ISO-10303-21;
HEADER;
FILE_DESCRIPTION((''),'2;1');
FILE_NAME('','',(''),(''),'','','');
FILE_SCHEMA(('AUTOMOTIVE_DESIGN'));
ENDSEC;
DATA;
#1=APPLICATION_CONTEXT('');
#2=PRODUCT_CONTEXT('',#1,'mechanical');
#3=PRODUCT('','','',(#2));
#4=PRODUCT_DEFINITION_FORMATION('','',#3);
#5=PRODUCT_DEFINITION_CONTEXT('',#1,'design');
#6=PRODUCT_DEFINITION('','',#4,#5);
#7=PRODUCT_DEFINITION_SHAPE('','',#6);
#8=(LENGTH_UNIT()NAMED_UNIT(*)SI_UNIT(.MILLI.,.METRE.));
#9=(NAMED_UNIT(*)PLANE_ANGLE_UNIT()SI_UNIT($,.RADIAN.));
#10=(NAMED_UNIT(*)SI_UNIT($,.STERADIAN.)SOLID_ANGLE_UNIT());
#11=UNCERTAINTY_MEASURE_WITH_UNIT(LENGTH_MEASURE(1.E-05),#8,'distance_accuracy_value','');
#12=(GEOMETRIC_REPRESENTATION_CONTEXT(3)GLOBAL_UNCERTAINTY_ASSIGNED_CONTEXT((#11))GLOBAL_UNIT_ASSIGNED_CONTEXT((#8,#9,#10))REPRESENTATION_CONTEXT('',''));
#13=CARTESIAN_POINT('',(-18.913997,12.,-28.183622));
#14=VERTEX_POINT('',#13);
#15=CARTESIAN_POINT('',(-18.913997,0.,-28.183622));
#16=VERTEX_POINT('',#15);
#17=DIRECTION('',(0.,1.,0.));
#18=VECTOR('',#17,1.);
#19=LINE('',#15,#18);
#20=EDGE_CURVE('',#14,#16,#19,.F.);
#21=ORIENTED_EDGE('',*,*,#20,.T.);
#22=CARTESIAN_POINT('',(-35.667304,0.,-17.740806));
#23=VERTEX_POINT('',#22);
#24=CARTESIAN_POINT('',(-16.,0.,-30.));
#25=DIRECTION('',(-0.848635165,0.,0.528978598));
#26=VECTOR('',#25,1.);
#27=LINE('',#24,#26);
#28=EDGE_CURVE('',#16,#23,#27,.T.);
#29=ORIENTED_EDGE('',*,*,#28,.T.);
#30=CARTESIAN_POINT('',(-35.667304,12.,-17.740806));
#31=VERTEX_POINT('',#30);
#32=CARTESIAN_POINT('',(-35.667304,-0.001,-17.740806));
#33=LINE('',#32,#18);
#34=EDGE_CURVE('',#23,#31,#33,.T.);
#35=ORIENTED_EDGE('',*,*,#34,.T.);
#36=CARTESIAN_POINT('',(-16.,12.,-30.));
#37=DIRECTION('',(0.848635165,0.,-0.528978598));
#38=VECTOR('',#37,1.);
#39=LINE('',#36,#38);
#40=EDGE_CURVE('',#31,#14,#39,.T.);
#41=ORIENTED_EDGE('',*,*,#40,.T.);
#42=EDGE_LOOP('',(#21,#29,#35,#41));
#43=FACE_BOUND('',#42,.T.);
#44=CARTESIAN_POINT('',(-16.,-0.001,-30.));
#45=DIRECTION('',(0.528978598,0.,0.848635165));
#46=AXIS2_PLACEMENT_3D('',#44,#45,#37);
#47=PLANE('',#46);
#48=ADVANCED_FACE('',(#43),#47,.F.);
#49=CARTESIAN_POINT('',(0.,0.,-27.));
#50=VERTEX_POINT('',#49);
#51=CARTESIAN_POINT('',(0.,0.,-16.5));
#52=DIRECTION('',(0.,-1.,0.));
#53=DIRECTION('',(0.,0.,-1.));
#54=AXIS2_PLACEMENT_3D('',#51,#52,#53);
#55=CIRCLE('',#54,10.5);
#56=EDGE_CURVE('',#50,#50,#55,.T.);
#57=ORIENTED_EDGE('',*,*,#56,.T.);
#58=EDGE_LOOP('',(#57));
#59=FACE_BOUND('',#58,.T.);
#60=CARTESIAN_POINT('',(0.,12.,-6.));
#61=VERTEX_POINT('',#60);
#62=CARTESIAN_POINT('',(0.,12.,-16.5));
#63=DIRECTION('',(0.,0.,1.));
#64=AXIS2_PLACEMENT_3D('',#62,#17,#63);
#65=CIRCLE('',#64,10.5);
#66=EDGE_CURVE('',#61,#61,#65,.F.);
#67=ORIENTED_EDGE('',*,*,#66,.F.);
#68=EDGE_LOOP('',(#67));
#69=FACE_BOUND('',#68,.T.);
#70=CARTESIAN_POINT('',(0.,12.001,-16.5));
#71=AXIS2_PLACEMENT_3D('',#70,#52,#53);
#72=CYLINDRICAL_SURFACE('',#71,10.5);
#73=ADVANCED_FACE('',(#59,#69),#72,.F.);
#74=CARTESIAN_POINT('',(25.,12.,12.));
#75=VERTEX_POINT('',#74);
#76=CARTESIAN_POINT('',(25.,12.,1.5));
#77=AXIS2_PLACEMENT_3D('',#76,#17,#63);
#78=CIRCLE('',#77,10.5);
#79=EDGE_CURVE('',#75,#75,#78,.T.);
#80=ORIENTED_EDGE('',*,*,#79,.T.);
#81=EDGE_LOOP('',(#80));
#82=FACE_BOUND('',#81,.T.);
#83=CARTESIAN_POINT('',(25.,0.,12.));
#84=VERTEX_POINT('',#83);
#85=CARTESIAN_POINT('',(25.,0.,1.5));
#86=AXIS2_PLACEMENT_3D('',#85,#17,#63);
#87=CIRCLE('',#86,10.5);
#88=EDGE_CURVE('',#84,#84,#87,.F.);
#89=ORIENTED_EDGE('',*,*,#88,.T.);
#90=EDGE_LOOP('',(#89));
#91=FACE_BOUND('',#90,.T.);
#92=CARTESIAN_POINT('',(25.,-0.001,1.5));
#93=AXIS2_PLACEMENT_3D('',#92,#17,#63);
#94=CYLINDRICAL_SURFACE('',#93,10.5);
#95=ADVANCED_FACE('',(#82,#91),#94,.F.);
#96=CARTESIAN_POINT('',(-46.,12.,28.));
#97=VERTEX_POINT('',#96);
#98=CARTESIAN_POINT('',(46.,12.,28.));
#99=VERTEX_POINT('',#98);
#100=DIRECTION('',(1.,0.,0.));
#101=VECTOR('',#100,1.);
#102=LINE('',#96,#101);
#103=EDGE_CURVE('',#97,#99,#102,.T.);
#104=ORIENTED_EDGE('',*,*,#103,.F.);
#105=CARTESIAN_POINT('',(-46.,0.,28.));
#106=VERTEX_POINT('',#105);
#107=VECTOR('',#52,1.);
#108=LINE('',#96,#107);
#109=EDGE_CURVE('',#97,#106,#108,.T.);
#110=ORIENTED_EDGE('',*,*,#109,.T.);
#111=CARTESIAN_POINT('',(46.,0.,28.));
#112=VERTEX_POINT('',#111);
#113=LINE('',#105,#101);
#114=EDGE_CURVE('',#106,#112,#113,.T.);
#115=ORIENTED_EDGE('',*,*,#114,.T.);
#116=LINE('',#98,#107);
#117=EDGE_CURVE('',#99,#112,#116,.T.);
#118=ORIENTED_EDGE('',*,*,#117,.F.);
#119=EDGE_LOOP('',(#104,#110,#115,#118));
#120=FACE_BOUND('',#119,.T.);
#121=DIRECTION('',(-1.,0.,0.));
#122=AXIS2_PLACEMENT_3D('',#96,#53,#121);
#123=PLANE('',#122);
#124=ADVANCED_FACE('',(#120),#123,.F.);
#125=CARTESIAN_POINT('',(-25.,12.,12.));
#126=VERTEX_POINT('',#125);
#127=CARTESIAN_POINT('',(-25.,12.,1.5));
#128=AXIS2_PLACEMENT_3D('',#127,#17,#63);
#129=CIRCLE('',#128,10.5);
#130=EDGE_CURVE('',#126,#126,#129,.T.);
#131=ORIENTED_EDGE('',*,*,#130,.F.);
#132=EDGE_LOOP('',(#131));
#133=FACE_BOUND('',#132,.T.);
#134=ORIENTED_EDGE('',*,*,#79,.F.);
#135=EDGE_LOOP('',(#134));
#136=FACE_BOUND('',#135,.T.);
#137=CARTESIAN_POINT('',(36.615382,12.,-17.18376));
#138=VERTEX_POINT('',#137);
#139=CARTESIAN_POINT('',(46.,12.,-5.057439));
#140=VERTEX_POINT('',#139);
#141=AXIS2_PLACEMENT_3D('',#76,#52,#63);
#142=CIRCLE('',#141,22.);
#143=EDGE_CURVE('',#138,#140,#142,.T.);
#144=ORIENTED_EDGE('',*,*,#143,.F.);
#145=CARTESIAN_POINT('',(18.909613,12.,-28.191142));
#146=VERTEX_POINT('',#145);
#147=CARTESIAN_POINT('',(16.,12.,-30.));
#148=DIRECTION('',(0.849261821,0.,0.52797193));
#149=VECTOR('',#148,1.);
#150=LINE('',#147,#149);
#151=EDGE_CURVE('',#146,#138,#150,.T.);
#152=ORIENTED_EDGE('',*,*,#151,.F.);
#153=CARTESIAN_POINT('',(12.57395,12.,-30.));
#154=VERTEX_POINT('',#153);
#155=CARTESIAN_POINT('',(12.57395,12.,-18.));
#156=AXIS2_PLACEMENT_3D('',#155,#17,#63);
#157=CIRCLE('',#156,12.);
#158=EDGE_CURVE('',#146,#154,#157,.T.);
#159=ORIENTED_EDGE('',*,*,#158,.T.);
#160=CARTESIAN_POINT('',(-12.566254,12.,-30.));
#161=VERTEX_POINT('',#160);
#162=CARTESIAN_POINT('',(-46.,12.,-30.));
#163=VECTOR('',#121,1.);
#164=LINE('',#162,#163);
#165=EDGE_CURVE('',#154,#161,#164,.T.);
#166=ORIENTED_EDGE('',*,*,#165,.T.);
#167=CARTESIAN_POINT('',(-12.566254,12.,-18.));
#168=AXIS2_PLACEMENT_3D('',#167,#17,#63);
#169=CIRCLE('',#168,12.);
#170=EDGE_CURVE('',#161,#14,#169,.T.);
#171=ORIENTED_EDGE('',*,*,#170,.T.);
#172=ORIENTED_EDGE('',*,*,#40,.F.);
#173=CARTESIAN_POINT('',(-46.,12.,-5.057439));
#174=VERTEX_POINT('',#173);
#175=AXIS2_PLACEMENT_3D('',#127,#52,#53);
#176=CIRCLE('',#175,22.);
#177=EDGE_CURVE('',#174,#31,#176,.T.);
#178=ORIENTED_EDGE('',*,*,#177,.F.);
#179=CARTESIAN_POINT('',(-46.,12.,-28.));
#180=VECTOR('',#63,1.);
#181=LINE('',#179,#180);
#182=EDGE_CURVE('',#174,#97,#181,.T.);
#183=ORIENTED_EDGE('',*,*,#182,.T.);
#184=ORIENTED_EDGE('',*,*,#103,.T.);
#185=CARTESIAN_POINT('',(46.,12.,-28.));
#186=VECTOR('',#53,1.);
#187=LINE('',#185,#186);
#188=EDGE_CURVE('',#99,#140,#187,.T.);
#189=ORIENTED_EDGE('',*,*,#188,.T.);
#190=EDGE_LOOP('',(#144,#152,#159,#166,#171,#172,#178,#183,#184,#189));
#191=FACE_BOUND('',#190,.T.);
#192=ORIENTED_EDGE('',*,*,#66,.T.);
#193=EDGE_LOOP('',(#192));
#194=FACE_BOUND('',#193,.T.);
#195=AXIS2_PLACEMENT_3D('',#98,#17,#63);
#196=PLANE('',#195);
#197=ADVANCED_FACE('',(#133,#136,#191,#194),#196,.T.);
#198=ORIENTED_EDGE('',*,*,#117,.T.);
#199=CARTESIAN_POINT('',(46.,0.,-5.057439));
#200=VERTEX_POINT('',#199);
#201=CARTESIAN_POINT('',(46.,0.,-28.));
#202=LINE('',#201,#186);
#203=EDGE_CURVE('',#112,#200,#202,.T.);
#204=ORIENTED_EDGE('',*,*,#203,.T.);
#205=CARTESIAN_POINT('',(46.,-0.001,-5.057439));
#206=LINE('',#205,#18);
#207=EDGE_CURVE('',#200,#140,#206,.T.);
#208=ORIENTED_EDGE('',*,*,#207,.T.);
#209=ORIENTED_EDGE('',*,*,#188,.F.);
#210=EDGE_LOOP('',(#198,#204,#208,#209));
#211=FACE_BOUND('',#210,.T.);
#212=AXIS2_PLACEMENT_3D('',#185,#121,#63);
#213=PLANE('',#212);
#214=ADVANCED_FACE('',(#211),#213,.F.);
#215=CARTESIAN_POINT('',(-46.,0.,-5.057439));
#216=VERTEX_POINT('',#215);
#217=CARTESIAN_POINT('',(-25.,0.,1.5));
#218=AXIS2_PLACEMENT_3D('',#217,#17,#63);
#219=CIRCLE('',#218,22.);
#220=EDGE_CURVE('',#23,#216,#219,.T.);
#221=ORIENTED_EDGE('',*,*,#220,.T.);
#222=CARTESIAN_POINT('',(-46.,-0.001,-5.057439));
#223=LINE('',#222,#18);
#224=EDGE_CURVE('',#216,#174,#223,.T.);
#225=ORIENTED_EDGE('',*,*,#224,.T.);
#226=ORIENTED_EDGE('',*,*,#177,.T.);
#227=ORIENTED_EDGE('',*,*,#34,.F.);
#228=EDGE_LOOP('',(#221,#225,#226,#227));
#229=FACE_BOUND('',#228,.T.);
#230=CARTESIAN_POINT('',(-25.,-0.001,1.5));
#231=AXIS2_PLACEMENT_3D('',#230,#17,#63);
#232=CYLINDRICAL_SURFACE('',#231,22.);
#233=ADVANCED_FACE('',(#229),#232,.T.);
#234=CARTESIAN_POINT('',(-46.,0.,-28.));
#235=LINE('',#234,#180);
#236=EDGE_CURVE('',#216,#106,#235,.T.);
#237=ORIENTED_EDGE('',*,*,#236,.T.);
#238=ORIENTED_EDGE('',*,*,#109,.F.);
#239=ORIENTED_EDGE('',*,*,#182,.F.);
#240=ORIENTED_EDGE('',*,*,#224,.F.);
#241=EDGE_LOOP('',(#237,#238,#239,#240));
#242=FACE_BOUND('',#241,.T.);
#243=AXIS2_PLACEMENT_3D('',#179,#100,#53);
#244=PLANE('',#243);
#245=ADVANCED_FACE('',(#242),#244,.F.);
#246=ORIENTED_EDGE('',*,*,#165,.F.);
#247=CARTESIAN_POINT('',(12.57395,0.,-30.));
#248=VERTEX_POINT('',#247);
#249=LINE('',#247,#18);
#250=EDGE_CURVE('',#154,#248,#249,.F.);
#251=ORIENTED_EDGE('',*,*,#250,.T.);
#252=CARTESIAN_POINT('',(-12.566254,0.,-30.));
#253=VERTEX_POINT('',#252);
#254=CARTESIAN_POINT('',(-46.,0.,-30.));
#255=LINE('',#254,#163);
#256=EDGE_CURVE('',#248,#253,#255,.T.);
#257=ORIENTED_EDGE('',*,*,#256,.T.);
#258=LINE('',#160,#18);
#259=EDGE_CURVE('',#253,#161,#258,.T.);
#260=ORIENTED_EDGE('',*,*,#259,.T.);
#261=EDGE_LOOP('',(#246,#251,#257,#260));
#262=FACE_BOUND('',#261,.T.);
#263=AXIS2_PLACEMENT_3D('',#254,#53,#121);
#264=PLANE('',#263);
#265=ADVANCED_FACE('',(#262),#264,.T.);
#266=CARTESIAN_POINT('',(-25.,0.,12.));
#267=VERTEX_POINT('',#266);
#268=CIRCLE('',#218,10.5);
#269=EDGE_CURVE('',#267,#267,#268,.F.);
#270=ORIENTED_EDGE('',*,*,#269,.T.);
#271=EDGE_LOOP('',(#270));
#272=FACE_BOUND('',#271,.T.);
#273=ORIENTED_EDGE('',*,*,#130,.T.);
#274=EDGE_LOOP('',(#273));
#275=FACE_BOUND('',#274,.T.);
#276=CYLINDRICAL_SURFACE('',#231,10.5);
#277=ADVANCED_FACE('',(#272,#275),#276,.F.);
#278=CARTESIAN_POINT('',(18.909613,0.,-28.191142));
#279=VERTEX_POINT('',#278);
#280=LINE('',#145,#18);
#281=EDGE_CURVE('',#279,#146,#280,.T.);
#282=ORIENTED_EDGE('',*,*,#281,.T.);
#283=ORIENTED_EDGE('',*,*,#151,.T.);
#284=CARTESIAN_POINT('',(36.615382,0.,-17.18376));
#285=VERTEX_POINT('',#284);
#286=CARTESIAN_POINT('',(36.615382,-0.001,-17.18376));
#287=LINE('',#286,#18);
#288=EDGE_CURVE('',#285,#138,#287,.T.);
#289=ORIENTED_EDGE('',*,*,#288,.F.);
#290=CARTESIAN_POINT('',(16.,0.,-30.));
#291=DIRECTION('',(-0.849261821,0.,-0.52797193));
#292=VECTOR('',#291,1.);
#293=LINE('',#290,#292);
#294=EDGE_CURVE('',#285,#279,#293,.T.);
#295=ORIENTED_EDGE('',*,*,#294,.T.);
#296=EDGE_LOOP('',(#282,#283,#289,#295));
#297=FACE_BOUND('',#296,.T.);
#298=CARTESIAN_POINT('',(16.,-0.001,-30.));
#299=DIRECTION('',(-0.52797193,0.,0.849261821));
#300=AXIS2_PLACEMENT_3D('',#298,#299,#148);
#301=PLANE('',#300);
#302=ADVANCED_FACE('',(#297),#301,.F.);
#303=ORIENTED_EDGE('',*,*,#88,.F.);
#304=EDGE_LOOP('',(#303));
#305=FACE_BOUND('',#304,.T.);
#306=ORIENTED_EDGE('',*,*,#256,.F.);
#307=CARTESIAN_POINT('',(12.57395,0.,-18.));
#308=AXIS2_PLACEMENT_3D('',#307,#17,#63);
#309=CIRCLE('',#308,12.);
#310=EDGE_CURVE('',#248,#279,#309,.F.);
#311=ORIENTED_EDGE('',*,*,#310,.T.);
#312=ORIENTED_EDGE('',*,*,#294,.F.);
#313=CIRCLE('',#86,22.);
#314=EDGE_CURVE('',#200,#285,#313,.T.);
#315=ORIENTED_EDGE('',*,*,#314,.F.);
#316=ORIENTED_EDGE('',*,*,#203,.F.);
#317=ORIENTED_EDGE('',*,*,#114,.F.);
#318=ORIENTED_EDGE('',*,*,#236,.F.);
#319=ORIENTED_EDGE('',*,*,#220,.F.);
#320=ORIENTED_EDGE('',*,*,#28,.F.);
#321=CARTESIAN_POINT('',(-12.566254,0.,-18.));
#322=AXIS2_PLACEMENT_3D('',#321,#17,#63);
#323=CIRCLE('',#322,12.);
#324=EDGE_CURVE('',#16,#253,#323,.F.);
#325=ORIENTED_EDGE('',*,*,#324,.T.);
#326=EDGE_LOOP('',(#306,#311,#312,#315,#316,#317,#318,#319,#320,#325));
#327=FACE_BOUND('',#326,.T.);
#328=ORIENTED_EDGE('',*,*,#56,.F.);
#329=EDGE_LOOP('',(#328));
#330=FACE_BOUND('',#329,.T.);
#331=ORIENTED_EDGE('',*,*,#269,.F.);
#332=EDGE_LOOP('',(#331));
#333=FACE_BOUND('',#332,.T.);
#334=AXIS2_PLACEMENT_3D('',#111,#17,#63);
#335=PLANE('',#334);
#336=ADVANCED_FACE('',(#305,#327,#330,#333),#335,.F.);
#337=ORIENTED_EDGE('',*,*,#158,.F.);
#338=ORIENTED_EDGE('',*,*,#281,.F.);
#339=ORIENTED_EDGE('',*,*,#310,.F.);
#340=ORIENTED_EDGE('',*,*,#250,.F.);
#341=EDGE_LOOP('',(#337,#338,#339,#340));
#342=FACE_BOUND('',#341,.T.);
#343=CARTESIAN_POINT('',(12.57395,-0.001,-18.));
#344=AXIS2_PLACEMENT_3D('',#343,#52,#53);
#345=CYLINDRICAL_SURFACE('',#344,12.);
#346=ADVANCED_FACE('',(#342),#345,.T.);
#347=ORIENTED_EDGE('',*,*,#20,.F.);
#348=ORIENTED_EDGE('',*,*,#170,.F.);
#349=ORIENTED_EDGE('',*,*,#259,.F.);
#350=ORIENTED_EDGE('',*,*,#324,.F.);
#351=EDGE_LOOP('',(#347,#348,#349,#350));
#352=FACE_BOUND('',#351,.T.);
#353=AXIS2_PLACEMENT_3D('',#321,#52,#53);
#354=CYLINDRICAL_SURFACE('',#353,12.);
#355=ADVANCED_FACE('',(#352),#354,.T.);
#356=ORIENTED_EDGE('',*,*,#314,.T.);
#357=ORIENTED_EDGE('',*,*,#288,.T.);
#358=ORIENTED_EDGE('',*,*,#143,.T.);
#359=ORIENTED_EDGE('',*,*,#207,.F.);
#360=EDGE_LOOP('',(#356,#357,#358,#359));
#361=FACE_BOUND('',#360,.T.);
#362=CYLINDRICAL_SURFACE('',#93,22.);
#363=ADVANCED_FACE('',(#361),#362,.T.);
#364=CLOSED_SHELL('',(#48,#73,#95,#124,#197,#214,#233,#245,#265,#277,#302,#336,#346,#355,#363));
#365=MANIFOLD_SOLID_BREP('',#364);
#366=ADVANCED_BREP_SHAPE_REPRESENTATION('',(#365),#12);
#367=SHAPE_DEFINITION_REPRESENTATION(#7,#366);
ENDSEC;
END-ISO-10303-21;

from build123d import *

# Parameters (mm, degrees)
SKETCH1_W           = 92
SKETCH1_H           = 56
BOSS_EXTRUDE1_DEPTH = 12
SKETCH8_W           = 92
SKETCH8_H           = 2
BOSS_EXTRUDE3_DEPTH = 12
CUT_EXTRUDE1_REACH  = 58.214
SKETCH2_R           = 10.5
CUT_EXTRUDE5_REACH  = 58.214
FILLET2_R           = 12
CUT_EXTRUDE7_REACH  = 58.214
SKETCH12_R          = 10.5


with BuildPart() as part:
    # Sketch1 → Boss-Extrude1 (new body)
    with BuildSketch(Plane(origin=(0, 0, 0), x_dir=(1, 0, 0), z_dir=(0, 1, 0))):
        Rectangle(SKETCH1_W, SKETCH1_H)
    extrude(amount=BOSS_EXTRUDE1_DEPTH)

    # Sketch8 → Boss-Extrude3 (add)
    with BuildSketch(Plane(origin=(0, 12, 0), x_dir=(1, 0, 0), z_dir=(0, 1, 0))):
        with Locations((0, 29)):
            Rectangle(SKETCH8_W, SKETCH8_H)
    extrude(amount=-BOSS_EXTRUDE3_DEPTH)

    # Sketch2 → Cut-Extrude1 (cut, up to next)
    with BuildSketch(Plane(origin=(0, 12, 0), x_dir=(1, 0, 0), z_dir=(0, 1, 0)), mode=Mode.PRIVATE) as cut_extrude1_sk1:
        with Locations(Location((-25, -1.5, 0), (0, 0, 270))):
            Circle(SKETCH2_R)
    cut_extrude1_tool1 = extrude(cut_extrude1_sk1.sketch, amount=-CUT_EXTRUDE1_REACH, mode=Mode.PRIVATE) & part.part
    # Sketch2 → Cut-Extrude1 (cut, up to next)
    with BuildSketch(Plane(origin=(0, 12, 0), x_dir=(1, 0, 0), z_dir=(0, 1, 0)), mode=Mode.PRIVATE) as cut_extrude1_sk2:
        with Locations(Location((25, -1.5, 0), (0, 0, 270))):
            Circle(SKETCH2_R)
    cut_extrude1_tool2 = extrude(cut_extrude1_sk2.sketch, amount=-CUT_EXTRUDE1_REACH, mode=Mode.PRIVATE) & part.part
    add(cut_extrude1_tool1.solids().sort_by_distance((-25, 12, 1.5))[0], mode=Mode.SUBTRACT)
    add(cut_extrude1_tool2.solids().sort_by_distance((25, 12, 1.5))[0], mode=Mode.SUBTRACT)

    # Sketch10 → Cut-Extrude5 (cut, up to next)
    with BuildSketch(Plane(origin=(0, 12, 0), x_dir=(1, 0, 0), z_dir=(0, 1, 0)), mode=Mode.PRIVATE) as cut_extrude5_sk1:
        with BuildLine():
            Line((-46, 5.057438524), (-46, 30))
            Line((-46, 30), (-16, 30))
            Line((-16, 30), (-35.667304108, 17.740806196))
            ThreePointArc((-35.667304108, 17.740806196), (-42.056420822, 12.395269294), (-46, 5.057438524))
        make_face()
    cut_extrude5_tool1 = extrude(cut_extrude5_sk1.sketch, amount=-CUT_EXTRUDE5_REACH, mode=Mode.PRIVATE) & part.part
    # Sketch10 → Cut-Extrude5 (cut, up to next)
    with BuildSketch(Plane(origin=(0, 12, 0), x_dir=(1, 0, 0), z_dir=(0, 1, 0)), mode=Mode.PRIVATE) as cut_extrude5_sk2:
        with BuildLine():
            Line((46, 5.057438524), (46, 30))
            Line((46, 30), (16, 30))
            Line((16, 30), (36.615382461, 17.183760068))
            ThreePointArc((36.615382461, 17.183760068), (42.39835371, 11.964668142), (46, 5.057438524))
        make_face()
    cut_extrude5_tool2 = extrude(cut_extrude5_sk2.sketch, amount=-CUT_EXTRUDE5_REACH, mode=Mode.PRIVATE) & part.part
    add(cut_extrude5_tool1.solids().sort_by_distance((-36.403407, 12, -23.114901))[0], mode=Mode.SUBTRACT)
    add(cut_extrude5_tool2.solids().sort_by_distance((36.411287, 12, -23.11647))[0], mode=Mode.SUBTRACT)

    # Fillet2
    fillet2_edges = [part.edges().sort_by_distance(p)[0] for p in [
        (-16, 6, -30),
        (16, 6, -30),
    ]]
    fillet(fillet2_edges, radius=FILLET2_R)

    # Sketch12 → Cut-Extrude7 (cut, up to next)
    with BuildSketch(Plane.XZ, mode=Mode.PRIVATE) as cut_extrude7_sk1:
        with Locations(Location((0, -16.5, 0), (0, 0, 270))):
            Circle(SKETCH12_R)
    cut_extrude7_tool1 = extrude(cut_extrude7_sk1.sketch, amount=-CUT_EXTRUDE7_REACH, mode=Mode.PRIVATE) & part.part
    add(cut_extrude7_tool1.solids().sort_by_distance((0, 0, -16.5))[0], mode=Mode.SUBTRACT)


solid = part.part
